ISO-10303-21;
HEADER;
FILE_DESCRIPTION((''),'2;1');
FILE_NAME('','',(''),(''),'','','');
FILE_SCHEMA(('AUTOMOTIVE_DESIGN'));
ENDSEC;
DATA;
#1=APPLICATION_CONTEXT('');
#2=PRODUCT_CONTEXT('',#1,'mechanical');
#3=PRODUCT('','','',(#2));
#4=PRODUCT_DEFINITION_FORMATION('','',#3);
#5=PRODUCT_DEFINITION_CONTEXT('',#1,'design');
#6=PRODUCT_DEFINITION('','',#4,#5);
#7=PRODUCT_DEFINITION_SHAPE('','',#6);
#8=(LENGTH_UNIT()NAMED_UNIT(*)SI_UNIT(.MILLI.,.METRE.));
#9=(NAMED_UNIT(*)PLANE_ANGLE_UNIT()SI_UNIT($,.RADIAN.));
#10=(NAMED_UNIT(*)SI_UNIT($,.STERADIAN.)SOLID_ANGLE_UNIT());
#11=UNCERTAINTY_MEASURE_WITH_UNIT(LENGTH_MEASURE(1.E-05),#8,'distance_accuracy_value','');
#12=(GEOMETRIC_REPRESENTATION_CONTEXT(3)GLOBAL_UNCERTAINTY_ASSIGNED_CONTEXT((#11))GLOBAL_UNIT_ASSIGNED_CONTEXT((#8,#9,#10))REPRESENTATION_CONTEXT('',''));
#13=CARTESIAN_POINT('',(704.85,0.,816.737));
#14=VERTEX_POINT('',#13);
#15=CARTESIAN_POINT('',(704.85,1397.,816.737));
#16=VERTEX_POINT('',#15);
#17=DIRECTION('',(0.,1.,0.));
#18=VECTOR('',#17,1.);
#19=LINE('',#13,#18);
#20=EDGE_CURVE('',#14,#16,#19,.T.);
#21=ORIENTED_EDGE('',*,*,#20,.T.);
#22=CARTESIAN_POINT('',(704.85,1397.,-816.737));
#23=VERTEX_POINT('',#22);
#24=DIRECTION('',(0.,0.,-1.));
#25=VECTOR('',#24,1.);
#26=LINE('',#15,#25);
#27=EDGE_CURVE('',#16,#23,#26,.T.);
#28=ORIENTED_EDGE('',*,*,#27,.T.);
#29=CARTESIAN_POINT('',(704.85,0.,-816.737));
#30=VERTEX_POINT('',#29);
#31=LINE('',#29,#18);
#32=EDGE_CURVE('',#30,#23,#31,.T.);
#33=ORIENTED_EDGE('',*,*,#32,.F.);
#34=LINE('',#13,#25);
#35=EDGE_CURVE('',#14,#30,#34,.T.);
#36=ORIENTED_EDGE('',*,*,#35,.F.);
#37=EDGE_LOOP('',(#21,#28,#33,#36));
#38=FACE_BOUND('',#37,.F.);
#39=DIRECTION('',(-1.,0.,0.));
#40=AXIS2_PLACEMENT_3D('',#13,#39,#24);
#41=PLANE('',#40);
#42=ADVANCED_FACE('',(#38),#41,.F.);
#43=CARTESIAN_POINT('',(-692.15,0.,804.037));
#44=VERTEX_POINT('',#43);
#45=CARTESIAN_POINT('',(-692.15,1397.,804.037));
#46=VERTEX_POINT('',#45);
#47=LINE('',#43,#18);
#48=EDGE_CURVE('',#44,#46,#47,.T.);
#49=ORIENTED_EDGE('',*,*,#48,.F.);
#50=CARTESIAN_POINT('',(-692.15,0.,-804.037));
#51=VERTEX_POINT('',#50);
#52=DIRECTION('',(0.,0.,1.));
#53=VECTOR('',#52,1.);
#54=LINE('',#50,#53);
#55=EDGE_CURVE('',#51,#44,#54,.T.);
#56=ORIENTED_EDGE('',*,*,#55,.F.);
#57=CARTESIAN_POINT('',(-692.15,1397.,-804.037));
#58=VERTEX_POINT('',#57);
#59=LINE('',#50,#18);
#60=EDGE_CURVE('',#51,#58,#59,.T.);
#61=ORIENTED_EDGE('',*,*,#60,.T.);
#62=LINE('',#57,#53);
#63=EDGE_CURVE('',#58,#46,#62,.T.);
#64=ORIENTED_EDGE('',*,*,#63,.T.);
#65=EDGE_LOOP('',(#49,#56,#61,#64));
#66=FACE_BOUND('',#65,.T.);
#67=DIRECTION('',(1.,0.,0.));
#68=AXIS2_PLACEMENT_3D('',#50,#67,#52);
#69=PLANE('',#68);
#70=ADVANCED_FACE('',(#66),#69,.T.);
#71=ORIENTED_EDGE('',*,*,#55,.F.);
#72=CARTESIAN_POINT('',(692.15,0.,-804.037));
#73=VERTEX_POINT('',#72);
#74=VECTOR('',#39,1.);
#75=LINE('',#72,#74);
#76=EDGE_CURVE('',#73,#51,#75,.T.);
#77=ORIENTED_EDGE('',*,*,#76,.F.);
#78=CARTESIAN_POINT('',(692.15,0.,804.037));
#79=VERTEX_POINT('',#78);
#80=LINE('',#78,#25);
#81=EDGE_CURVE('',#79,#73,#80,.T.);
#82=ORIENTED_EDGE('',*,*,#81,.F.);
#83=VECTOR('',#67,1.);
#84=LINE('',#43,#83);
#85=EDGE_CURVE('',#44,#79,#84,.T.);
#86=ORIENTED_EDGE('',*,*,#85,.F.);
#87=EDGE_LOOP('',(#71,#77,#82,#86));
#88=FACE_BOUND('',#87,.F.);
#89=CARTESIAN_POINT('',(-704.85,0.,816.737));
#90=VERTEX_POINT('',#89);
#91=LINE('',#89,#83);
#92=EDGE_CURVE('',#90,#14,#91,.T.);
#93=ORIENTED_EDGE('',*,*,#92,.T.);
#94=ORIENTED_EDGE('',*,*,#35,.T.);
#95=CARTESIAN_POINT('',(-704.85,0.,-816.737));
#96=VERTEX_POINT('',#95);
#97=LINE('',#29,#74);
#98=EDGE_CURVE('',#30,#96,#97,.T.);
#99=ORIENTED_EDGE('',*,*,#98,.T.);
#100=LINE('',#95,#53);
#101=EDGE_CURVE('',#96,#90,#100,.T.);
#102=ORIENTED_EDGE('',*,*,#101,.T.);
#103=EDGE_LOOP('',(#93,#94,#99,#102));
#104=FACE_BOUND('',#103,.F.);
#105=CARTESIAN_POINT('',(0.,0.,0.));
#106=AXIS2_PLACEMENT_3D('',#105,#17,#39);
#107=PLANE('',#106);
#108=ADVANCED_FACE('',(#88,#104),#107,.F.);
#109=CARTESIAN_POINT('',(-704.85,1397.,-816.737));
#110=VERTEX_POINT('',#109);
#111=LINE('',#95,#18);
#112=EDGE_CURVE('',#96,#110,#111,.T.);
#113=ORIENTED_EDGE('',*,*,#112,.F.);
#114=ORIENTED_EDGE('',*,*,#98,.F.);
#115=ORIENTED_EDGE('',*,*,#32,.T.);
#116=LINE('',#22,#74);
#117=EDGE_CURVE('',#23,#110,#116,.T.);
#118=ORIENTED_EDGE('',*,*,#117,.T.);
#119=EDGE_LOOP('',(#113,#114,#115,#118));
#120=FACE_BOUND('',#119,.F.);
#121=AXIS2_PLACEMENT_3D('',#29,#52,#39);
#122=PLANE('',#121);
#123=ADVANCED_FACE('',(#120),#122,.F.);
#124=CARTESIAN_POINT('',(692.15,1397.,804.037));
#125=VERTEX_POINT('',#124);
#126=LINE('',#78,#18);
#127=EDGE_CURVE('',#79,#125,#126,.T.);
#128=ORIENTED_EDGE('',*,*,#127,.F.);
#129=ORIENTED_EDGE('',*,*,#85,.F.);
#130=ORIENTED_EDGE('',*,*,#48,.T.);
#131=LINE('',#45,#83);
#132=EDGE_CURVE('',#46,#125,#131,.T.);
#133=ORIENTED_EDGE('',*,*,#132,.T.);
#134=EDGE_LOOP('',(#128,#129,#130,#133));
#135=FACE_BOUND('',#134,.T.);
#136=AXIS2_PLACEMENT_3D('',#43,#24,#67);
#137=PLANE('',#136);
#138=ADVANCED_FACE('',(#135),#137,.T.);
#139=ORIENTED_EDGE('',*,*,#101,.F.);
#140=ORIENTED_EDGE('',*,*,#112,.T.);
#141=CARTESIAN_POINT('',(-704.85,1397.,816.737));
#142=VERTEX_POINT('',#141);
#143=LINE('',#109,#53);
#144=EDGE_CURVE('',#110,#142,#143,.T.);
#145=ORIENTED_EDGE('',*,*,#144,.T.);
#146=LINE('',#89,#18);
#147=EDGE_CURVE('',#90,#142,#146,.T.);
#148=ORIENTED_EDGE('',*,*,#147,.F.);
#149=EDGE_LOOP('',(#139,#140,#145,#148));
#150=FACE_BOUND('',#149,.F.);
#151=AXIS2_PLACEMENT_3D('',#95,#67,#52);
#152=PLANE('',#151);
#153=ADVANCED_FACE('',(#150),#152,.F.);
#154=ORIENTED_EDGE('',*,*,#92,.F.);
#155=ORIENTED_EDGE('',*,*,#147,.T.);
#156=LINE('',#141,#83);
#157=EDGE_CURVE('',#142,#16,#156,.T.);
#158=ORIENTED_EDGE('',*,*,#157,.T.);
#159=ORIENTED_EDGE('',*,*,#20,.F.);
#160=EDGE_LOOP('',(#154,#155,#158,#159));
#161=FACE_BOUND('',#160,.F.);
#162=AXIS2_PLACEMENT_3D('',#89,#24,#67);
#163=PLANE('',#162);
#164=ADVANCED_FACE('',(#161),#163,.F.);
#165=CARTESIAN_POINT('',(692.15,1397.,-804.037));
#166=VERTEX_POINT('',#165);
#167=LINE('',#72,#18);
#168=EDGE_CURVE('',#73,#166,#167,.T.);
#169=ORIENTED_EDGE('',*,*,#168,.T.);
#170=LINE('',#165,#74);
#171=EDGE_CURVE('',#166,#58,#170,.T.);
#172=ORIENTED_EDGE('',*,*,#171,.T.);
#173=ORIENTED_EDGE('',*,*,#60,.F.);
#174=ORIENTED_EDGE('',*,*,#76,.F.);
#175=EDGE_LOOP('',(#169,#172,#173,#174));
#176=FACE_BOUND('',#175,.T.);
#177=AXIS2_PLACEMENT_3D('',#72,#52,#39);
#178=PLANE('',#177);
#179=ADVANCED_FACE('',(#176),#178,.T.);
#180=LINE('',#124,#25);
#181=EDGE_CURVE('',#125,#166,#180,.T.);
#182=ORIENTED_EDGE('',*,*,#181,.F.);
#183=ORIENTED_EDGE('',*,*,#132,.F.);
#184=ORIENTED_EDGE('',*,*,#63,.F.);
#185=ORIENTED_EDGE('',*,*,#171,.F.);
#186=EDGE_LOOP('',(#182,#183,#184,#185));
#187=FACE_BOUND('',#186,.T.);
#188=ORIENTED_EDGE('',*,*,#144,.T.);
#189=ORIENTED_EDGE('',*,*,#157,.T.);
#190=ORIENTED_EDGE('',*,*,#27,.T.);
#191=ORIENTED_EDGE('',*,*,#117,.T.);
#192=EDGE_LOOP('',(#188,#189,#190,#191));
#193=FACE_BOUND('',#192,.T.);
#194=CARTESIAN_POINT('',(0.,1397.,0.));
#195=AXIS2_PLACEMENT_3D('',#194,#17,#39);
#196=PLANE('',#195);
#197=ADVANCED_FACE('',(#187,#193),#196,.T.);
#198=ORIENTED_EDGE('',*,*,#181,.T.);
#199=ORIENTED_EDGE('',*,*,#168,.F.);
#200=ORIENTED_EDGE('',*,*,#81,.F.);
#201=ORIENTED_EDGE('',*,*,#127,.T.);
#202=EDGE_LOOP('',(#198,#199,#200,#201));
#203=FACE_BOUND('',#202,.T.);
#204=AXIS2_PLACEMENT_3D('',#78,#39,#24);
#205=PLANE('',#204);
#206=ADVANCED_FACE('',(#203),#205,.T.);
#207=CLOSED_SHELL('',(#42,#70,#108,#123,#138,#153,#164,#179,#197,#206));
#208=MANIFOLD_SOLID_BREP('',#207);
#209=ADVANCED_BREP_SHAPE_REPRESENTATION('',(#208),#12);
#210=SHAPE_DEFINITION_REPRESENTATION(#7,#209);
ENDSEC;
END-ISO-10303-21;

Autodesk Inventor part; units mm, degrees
ref_plane "YZ Plane" through (0, 0, 0) normal (1, 0, 0) x (0, 1, 0)
ref_plane "XZ Plane" through (0, 0, 0) normal (0, 1, 0) x (-1, 0, 0)
ref_plane "XY Plane" through (0, 0, 0) normal (0, 0, 1) x (1, 0, 0)
sketch "Sketch1" plane through (0, 0, 0) normal (0, 1, 0) x (-1, 0, 0)
  line L0 (704.85, 816.737) -> (-704.85, 816.737)
  line L1 (-704.85, 816.737) -> (-704.85, -816.737)
  line L2 (-704.85, -816.737) -> (704.85, -816.737)
  line L3 (704.85, -816.737) -> (704.85, 816.737)
  line L4 (704.85, 816.737) -> (-704.85, -816.737) construction
  line L5 (-704.85, 816.737) -> (704.85, -816.737) construction
  line L6 (692.15, 804.037) -> (-692.15, 804.037)
  line L7 (-692.15, 804.037) -> (-692.15, -804.037)
  line L8 (-692.15, -804.037) -> (692.15, -804.037)
  line L9 (692.15, -804.037) -> (692.15, 804.037)
  line L10 (692.15, 804.037) -> (-692.15, -804.037) construction
  line L11 (-692.15, 804.037) -> (692.15, -804.037) construction
  point P0 (0, 0)
  dimension "d0" = 1409.7
  dimension "d1" = 1633.474
  dimension "d2" = 12.7
  dimension "d3" = 12.7
extrude "Extrusion1" add sketch "Sketch1" along normal blind 1397
properties part number "AM14U3-gameVolume" material "Polycarbonate, Clear"
